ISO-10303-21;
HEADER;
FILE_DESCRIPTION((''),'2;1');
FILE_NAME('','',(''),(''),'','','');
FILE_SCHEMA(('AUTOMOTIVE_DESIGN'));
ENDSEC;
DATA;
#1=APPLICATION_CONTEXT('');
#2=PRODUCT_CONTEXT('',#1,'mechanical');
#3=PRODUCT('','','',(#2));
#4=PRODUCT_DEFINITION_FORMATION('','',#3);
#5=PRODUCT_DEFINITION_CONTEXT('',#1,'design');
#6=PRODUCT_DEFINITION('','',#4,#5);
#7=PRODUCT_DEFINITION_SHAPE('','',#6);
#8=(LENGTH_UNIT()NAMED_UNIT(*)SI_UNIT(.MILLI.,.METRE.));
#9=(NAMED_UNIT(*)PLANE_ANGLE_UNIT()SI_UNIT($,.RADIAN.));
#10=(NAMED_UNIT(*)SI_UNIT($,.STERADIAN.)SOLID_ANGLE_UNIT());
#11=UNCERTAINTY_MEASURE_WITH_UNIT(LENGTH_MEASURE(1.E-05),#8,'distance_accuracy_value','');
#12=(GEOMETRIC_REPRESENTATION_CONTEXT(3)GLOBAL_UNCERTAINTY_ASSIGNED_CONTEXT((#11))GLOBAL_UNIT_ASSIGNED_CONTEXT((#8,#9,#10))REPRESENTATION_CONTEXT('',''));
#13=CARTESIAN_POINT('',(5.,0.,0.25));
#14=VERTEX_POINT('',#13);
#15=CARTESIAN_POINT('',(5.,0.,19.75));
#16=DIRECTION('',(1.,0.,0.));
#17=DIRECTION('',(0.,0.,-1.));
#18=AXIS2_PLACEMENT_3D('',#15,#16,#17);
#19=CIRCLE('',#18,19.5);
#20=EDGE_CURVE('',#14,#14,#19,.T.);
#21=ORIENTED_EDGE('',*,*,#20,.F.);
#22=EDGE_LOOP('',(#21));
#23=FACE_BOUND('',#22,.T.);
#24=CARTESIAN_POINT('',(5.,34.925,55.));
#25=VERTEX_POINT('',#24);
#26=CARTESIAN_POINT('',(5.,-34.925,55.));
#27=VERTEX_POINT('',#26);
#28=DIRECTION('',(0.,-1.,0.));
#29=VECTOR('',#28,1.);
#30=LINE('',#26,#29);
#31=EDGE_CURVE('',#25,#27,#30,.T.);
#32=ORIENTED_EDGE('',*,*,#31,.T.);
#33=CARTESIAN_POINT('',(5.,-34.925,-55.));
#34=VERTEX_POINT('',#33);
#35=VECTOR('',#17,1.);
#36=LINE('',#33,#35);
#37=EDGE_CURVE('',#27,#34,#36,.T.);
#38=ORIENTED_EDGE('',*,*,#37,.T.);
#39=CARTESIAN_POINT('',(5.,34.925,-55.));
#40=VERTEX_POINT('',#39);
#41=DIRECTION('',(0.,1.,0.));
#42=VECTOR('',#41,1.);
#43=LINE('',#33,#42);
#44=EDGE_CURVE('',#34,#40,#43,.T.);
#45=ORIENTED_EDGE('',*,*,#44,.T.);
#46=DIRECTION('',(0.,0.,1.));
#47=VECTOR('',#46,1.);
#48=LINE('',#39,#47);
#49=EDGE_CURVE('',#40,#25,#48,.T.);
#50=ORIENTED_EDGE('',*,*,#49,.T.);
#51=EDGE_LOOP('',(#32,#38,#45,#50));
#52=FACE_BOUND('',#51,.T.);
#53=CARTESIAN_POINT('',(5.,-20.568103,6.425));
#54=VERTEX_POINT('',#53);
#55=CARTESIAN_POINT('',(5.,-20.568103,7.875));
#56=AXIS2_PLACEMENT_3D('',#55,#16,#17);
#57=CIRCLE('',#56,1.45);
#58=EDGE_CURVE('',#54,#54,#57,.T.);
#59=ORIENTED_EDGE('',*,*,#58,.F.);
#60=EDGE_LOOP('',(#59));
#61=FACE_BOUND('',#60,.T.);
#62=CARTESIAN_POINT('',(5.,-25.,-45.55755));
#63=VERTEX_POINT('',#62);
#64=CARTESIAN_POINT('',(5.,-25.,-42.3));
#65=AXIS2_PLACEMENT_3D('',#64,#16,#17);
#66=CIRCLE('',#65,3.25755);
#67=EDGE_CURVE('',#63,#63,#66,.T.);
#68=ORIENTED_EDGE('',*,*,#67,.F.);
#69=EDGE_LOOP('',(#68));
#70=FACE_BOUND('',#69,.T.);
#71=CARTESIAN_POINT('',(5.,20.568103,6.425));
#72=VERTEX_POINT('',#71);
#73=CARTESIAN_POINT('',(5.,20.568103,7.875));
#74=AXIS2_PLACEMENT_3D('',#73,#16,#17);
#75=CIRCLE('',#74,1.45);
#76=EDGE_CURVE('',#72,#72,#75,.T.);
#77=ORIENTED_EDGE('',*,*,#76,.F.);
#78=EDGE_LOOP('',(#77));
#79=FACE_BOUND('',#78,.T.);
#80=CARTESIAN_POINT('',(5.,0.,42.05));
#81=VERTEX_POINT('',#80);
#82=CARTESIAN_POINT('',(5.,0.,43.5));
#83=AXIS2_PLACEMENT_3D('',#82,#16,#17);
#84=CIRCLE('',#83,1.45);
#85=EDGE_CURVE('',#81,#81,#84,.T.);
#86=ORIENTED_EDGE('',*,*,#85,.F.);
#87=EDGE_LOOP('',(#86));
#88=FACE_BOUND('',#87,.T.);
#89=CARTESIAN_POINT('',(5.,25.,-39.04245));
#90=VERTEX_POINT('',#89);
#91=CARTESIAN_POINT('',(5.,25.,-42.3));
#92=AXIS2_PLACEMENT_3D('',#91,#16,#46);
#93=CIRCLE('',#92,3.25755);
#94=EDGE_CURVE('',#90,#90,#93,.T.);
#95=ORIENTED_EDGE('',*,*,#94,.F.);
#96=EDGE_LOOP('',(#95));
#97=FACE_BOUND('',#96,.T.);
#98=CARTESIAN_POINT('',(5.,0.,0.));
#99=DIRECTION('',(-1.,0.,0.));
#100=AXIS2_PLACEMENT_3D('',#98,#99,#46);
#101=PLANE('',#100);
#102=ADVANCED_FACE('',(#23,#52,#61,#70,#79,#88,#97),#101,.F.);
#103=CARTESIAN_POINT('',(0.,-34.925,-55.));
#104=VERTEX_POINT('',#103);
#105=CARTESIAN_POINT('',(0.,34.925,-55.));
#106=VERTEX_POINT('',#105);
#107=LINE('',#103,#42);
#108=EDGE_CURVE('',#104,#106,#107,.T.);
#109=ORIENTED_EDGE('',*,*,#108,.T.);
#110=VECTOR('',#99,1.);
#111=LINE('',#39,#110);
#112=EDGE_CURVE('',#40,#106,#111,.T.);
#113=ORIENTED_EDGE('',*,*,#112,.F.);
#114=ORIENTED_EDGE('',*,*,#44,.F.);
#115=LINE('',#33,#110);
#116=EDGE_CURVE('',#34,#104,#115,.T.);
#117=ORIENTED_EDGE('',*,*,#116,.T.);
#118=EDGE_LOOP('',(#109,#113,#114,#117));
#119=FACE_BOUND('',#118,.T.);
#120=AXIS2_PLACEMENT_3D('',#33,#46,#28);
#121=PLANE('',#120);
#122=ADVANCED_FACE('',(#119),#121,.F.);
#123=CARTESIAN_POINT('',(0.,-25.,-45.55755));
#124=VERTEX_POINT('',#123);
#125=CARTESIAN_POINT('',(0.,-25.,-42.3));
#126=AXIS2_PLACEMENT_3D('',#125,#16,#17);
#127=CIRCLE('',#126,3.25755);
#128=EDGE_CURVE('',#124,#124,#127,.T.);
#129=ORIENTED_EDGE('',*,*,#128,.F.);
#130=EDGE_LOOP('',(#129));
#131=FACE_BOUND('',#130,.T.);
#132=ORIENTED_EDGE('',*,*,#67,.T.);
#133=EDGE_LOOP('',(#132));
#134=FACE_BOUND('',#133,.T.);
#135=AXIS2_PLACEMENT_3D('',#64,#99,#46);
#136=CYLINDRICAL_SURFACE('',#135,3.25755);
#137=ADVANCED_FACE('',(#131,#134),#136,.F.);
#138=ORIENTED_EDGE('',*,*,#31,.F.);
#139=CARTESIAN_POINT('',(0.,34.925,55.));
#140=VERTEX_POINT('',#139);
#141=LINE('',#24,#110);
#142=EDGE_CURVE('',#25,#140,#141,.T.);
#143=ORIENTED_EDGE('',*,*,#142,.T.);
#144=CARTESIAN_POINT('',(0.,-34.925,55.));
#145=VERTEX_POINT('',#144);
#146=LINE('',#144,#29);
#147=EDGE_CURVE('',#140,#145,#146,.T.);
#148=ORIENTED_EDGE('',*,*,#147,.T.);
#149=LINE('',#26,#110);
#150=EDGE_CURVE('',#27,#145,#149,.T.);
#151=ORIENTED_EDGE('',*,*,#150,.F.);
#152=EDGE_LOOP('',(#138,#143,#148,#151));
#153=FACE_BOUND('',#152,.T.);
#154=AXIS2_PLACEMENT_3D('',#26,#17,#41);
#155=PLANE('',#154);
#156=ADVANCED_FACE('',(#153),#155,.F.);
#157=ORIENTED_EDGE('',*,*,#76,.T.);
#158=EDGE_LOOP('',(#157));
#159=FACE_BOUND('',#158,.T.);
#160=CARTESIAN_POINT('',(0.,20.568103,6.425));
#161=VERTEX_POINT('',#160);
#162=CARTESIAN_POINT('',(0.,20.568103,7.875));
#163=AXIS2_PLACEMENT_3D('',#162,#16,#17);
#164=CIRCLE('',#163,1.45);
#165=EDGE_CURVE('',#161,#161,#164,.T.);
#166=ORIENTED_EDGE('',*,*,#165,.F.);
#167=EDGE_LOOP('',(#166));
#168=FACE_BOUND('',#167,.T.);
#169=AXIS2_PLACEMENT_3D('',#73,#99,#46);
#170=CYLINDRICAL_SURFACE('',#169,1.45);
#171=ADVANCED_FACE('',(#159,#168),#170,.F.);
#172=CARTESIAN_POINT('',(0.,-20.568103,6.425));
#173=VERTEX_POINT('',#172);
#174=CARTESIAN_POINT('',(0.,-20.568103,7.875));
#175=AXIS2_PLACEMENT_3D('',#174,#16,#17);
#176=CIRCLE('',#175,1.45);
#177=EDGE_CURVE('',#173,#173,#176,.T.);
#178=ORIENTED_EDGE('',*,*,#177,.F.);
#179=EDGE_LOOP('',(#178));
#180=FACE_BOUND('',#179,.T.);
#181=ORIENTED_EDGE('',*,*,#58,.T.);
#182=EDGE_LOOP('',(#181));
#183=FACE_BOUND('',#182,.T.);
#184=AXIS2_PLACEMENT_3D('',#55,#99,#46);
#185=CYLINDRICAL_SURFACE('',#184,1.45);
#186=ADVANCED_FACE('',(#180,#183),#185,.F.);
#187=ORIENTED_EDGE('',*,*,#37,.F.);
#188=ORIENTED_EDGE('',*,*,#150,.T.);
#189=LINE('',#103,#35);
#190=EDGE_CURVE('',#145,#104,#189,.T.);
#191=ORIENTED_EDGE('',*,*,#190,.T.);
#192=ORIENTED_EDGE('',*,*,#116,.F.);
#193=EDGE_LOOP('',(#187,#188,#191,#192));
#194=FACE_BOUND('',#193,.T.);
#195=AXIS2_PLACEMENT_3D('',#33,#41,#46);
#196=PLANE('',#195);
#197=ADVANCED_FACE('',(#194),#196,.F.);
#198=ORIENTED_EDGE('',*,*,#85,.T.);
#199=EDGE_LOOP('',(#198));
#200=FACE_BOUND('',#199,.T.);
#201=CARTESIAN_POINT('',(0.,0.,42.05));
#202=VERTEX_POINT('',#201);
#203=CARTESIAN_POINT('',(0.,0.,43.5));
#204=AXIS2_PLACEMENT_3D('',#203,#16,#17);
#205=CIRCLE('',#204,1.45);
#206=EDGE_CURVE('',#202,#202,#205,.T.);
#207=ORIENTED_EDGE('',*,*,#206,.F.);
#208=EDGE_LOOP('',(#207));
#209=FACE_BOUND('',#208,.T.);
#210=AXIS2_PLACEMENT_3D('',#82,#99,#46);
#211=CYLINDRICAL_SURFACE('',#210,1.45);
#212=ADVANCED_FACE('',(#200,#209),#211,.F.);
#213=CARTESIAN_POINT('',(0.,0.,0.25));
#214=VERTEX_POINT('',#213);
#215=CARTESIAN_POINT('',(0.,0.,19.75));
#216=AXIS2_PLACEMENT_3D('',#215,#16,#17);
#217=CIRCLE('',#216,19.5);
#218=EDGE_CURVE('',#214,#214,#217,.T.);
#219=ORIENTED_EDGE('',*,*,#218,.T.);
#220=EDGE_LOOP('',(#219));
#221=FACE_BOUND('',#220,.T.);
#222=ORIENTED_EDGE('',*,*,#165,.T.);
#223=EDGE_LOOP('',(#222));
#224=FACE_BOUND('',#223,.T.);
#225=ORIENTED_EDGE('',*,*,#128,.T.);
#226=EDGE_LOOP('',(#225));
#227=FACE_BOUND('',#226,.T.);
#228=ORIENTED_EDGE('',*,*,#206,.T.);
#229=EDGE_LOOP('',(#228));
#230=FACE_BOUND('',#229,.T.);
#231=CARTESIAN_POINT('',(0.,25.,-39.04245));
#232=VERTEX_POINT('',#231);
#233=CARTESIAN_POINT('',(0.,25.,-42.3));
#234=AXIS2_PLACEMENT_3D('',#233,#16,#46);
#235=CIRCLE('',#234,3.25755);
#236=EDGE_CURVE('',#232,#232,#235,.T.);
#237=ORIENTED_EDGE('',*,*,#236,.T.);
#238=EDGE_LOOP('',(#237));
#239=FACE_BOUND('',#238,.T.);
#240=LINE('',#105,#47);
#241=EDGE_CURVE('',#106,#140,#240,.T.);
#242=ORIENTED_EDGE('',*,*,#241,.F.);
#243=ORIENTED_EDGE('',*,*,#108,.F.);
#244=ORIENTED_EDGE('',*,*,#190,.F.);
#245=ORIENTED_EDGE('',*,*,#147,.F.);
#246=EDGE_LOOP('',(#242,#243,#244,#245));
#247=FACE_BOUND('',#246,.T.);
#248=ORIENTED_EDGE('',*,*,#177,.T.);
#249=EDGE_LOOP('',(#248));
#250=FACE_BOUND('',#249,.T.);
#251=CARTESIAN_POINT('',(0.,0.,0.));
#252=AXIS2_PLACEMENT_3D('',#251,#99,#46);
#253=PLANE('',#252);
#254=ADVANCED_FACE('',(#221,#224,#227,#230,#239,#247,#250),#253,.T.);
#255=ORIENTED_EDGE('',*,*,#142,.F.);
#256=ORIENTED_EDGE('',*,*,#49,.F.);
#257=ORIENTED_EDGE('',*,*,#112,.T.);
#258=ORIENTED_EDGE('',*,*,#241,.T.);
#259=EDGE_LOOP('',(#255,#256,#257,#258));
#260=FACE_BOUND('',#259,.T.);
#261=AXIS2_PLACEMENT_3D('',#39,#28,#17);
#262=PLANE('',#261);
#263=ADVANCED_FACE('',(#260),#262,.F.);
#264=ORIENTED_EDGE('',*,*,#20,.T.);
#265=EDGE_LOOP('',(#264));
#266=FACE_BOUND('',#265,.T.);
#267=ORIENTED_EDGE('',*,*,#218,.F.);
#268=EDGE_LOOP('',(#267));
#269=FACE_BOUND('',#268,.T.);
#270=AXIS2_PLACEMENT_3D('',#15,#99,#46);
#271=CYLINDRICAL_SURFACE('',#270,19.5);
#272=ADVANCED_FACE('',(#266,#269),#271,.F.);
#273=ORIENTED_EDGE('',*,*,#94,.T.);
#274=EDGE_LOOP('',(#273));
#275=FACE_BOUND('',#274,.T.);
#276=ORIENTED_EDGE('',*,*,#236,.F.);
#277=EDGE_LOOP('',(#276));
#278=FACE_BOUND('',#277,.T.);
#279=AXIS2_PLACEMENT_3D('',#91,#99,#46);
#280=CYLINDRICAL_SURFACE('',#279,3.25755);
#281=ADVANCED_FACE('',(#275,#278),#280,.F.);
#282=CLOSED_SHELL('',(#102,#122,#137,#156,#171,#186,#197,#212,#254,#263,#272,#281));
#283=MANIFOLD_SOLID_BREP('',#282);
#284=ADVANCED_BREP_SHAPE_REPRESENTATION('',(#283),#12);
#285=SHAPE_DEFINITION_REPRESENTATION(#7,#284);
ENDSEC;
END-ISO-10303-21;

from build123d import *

# Parameters (mm, degrees)
SKETCH1_W           = 69.85
SKETCH1_H           = 110
SKETCH1_R           = 19.5
SKETCH1_R_2         = 3.25755
SKETCH1_R_3         = 1.45
BOSS_EXTRUDE1_DEPTH = 5


with BuildPart() as part:
    # Sketch1 → Boss-Extrude1 (new body)
    with BuildSketch(Plane.YZ):
        Rectangle(SKETCH1_W, SKETCH1_H)
        with Locations((0, 19.75)):
            Circle(SKETCH1_R, mode=Mode.SUBTRACT)
        with Locations((-25, -42.3)):
            Circle(SKETCH1_R_2, mode=Mode.SUBTRACT)
        with Locations((25, -42.3)):
            Circle(SKETCH1_R_2, mode=Mode.SUBTRACT)
        with Locations((-20.56810334, 7.875)):
            Circle(SKETCH1_R_3, mode=Mode.SUBTRACT)
        with Locations((20.56810334, 7.875)):
            Circle(SKETCH1_R_3, mode=Mode.SUBTRACT)
        with Locations((0, 43.5)):
            Circle(SKETCH1_R_3, mode=Mode.SUBTRACT)
    extrude(amount=BOSS_EXTRUDE1_DEPTH)


solid = part.part
